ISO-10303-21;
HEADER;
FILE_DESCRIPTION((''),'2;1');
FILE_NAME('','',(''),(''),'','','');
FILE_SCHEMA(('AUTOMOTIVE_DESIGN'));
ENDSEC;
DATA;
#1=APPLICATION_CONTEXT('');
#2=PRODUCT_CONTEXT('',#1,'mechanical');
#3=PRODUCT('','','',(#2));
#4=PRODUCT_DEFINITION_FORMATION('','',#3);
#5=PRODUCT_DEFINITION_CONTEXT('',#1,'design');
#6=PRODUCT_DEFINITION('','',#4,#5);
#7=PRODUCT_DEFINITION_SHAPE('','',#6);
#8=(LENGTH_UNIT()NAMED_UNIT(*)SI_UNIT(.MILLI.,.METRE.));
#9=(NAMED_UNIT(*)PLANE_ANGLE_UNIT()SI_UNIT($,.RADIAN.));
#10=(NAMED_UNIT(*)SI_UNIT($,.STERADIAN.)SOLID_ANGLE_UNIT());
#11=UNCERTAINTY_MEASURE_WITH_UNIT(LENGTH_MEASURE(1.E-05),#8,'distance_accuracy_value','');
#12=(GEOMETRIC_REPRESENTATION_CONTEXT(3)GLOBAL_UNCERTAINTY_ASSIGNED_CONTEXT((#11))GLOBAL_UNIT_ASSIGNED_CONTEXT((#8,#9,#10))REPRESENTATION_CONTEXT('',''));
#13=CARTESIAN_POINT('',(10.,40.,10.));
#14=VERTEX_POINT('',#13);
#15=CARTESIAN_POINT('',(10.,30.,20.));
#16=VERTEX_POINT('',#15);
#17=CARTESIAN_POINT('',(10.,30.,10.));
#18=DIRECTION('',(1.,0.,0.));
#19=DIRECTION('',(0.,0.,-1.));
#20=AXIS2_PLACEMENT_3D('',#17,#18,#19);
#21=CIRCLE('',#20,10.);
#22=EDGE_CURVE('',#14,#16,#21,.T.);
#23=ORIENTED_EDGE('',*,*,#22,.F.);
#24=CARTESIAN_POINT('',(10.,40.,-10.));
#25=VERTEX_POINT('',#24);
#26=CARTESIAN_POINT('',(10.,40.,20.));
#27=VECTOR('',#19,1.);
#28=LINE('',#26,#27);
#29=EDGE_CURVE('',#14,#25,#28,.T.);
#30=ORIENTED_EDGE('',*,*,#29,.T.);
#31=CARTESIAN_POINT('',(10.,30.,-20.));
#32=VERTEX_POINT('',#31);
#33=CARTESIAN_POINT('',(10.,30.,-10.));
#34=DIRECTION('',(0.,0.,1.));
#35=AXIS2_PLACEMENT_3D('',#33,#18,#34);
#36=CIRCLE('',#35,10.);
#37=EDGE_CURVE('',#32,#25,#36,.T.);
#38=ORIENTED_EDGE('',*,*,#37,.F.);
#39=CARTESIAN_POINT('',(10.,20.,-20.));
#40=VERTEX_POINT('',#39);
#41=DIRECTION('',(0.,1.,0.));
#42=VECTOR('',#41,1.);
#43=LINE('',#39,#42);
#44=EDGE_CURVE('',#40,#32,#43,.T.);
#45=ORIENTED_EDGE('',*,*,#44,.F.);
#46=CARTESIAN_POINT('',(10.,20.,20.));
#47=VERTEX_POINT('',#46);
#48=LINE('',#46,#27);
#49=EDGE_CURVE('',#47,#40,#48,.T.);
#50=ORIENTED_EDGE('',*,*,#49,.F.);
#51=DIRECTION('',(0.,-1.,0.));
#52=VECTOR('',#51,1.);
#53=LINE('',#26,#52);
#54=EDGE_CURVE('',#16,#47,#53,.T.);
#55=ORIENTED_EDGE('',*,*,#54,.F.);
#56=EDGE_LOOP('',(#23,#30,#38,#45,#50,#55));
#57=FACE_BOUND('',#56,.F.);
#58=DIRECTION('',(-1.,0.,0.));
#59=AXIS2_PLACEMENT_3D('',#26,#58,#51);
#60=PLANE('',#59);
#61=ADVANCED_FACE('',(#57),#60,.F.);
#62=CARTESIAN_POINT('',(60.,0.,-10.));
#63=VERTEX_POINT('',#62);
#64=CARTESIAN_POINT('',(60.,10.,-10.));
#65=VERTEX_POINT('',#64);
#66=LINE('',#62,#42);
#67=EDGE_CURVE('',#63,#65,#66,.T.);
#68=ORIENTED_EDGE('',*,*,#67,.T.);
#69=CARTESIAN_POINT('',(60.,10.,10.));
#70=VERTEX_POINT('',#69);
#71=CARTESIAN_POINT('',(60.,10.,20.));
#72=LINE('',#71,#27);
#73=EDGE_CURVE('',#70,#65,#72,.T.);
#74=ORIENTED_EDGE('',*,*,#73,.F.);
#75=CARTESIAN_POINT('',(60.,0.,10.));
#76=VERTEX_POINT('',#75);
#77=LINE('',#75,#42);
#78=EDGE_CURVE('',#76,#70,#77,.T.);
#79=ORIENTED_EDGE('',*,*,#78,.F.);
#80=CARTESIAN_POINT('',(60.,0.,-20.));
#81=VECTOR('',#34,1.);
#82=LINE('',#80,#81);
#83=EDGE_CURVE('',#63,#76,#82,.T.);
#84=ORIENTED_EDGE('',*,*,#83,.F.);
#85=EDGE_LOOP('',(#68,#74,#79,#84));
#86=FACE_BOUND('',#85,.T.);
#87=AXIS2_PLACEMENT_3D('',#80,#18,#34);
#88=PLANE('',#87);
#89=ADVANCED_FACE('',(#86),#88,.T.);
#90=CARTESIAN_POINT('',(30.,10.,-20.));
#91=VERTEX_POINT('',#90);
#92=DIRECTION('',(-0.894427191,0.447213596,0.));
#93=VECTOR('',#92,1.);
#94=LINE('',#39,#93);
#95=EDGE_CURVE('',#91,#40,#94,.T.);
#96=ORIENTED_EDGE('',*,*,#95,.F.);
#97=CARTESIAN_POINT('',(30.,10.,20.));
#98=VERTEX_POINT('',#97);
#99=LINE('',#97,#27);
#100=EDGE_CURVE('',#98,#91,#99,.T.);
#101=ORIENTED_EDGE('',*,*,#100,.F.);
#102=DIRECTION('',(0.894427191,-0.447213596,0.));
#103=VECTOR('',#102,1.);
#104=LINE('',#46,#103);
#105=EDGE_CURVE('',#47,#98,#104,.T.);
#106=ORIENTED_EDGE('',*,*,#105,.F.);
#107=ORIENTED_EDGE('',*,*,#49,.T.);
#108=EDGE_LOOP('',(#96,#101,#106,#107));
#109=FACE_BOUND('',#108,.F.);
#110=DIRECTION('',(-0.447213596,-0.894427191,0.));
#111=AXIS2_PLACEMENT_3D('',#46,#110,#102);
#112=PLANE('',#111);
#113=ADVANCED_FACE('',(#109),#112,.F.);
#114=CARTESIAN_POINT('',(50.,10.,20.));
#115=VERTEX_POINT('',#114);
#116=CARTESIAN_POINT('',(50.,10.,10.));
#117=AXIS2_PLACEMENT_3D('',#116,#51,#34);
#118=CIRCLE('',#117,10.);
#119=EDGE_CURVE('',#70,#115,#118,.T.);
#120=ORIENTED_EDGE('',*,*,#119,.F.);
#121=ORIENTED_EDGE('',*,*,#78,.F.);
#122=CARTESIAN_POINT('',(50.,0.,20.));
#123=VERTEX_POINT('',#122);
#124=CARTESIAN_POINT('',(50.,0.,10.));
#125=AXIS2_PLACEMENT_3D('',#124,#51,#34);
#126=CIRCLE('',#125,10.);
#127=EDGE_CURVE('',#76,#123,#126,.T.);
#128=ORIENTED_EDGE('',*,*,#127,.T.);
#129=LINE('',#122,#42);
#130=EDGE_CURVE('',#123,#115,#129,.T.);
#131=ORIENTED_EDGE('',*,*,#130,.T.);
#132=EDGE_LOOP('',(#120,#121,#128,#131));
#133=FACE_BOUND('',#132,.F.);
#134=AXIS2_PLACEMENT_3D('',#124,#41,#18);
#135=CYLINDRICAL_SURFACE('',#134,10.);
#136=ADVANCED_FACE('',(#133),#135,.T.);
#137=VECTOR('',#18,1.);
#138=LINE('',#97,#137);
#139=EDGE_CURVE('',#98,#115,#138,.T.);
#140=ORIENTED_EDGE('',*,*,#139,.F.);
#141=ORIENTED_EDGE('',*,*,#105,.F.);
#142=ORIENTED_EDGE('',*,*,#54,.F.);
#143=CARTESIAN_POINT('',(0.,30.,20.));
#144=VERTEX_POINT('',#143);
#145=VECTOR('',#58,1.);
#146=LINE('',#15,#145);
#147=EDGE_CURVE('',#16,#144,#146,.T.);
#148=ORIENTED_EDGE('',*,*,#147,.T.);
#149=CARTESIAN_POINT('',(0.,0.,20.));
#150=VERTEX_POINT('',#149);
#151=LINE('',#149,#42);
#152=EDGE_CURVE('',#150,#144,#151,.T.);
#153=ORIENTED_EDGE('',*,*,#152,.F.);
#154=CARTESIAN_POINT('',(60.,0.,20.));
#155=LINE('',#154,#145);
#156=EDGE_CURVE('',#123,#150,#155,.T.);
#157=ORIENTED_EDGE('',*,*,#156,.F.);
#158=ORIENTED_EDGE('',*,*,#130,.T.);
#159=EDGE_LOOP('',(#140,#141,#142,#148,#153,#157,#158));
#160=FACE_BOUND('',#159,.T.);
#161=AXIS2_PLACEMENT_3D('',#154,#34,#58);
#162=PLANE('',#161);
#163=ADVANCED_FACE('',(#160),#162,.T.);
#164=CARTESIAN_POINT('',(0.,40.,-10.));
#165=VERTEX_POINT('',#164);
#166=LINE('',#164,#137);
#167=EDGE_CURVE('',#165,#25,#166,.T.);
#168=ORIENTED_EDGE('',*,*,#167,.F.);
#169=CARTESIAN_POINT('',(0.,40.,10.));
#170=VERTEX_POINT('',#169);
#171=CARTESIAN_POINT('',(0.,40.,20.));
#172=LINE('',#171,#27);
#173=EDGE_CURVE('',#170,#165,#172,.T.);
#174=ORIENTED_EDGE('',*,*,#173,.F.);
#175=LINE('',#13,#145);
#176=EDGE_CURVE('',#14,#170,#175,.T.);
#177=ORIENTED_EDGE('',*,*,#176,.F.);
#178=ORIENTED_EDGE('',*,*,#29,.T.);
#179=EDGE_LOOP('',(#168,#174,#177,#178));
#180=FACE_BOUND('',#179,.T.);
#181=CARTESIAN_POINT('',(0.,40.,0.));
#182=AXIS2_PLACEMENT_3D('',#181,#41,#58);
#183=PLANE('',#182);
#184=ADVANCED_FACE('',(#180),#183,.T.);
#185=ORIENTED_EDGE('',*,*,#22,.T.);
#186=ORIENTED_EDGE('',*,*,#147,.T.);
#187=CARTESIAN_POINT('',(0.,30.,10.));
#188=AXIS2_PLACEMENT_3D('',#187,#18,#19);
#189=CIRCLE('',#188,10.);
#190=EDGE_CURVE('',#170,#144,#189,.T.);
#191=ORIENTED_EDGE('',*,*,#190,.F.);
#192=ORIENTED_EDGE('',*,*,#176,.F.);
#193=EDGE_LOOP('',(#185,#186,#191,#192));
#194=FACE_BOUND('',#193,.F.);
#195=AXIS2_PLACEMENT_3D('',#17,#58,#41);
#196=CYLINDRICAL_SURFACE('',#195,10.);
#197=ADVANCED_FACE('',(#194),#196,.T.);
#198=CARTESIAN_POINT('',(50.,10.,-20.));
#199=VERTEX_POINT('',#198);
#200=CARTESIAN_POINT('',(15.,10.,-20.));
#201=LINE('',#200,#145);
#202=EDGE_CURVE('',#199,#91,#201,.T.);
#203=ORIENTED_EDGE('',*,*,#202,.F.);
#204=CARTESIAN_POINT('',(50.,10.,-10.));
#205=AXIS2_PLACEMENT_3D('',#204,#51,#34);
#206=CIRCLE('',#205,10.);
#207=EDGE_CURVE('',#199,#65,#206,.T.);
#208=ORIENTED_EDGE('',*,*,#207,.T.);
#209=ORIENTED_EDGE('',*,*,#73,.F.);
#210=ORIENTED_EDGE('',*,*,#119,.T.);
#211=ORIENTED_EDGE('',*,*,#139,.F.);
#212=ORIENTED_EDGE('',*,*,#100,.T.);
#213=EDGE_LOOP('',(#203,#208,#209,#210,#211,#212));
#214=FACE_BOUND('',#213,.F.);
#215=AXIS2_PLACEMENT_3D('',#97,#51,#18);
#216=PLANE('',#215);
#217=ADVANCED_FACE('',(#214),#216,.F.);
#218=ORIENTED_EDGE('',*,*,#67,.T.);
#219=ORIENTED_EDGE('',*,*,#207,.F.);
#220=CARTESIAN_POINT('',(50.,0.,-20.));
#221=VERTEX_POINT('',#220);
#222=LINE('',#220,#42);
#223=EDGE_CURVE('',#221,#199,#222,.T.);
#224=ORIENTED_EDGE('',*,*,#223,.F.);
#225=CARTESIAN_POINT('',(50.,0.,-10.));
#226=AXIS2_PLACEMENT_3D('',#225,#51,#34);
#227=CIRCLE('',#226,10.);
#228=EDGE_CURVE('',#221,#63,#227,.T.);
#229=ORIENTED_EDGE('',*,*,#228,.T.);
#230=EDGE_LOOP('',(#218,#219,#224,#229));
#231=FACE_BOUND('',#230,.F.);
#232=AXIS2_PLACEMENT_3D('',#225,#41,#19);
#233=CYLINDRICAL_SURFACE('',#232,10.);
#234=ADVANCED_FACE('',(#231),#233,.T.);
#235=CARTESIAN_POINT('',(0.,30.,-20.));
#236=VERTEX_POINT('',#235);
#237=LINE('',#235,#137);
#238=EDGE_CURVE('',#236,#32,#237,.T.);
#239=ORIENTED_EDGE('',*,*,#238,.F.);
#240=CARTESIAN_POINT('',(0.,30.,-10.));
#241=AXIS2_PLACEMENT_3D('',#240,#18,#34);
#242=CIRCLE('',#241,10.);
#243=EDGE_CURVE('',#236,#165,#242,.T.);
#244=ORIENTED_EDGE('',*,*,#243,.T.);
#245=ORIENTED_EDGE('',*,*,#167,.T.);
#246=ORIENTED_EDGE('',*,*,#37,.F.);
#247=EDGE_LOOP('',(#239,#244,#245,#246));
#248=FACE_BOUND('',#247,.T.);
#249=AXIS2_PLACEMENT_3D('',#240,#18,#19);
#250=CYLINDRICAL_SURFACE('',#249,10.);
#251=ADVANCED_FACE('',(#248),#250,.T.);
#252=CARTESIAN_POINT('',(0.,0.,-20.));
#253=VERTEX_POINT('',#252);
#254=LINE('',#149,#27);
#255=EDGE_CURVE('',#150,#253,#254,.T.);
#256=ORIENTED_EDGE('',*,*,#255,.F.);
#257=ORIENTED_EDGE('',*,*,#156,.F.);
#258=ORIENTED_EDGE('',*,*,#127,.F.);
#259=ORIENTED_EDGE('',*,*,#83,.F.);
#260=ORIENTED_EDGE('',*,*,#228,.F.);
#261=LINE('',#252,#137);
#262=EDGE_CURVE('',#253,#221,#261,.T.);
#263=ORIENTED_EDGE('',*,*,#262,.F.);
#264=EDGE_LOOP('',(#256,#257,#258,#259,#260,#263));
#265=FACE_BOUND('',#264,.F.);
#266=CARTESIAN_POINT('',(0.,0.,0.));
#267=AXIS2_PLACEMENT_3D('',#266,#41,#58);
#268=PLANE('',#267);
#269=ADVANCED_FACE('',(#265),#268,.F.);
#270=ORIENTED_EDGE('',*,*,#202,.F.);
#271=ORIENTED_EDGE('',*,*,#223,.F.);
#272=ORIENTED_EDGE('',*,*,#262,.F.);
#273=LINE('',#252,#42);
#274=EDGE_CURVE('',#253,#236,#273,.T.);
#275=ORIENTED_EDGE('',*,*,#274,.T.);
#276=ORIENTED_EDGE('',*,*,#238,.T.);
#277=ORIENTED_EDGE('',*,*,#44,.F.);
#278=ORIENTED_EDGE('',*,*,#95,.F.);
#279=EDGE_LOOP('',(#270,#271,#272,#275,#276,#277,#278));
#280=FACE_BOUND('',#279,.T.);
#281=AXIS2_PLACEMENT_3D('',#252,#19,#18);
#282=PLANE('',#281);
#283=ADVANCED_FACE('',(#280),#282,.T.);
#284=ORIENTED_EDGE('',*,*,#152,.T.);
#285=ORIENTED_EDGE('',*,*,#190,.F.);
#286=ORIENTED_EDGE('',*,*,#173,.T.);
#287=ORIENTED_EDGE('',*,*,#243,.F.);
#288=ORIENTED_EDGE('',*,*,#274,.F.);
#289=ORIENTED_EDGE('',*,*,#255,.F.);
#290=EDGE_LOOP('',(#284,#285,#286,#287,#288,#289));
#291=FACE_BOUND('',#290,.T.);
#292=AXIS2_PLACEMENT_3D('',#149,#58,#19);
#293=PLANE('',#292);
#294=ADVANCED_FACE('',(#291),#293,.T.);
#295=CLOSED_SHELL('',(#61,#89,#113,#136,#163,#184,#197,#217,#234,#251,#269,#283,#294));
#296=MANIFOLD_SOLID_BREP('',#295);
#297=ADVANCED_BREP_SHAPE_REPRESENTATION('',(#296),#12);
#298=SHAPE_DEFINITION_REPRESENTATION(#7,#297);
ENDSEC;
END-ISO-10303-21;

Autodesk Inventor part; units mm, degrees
ref_plane "YZ Plane" through (0, 0, 0) normal (1, 0, 0) x (0, 1, 0)
ref_plane "XZ Plane" through (0, 0, 0) normal (0, 1, 0) x (-1, 0, 0)
ref_plane "XY Plane" through (0, 0, 0) normal (0, 0, 1) x (1, 0, 0)
sketch "草圖1" plane through (0, 0, 0) normal (0, 1, 0) x (-1, 0, 0)
  line L0 (0, -20) -> (-60, -20)
  line L1 (-60, -20) -> (-60, 20)
  line L2 (-60, 20) -> (0, 20)
  line L3 (0, 20) -> (0, -20)
  point P0 (0, 0)
  point P1 (0, 0)
  dimension "d0" = 40
  dimension "d1" = 60
extrude "擠出1" add sketch "草圖1" along normal blind 40
sketch "草圖2" plane through (0, 0, 20) normal (0, 0, 1) x (1, 0, 0)
  line L0 (0, 0) -> (0, 40) projected
  line L1 (0, 40) -> (60, 40) projected
  line L2 (60, 40) -> (60, 0) projected
  line L3 (60, 0) -> (0, 0) projected
  line L4 (10, 40) -> (10, 20)
  line L5 (10, 20) -> (30, 10)
  line L6 (30, 10) -> (60, 10)
  line L7 (60, 0) -> (60, 40) projected
  dimension "d4" = 10
  dimension "d5" = 10
  dimension "d6" = 20
  dimension "d7" = 30
extrude "擠出2" cut sketch "草圖2" against normal through all contours L1 L2 L6 L5 L4
fillet "圓角1" radius 10 4 edges at (5, 40, 20) (5, 40, -20) (60, 5, 20) (60, 5, -20)
properties part number "33" material "鋼、碳鋼"
